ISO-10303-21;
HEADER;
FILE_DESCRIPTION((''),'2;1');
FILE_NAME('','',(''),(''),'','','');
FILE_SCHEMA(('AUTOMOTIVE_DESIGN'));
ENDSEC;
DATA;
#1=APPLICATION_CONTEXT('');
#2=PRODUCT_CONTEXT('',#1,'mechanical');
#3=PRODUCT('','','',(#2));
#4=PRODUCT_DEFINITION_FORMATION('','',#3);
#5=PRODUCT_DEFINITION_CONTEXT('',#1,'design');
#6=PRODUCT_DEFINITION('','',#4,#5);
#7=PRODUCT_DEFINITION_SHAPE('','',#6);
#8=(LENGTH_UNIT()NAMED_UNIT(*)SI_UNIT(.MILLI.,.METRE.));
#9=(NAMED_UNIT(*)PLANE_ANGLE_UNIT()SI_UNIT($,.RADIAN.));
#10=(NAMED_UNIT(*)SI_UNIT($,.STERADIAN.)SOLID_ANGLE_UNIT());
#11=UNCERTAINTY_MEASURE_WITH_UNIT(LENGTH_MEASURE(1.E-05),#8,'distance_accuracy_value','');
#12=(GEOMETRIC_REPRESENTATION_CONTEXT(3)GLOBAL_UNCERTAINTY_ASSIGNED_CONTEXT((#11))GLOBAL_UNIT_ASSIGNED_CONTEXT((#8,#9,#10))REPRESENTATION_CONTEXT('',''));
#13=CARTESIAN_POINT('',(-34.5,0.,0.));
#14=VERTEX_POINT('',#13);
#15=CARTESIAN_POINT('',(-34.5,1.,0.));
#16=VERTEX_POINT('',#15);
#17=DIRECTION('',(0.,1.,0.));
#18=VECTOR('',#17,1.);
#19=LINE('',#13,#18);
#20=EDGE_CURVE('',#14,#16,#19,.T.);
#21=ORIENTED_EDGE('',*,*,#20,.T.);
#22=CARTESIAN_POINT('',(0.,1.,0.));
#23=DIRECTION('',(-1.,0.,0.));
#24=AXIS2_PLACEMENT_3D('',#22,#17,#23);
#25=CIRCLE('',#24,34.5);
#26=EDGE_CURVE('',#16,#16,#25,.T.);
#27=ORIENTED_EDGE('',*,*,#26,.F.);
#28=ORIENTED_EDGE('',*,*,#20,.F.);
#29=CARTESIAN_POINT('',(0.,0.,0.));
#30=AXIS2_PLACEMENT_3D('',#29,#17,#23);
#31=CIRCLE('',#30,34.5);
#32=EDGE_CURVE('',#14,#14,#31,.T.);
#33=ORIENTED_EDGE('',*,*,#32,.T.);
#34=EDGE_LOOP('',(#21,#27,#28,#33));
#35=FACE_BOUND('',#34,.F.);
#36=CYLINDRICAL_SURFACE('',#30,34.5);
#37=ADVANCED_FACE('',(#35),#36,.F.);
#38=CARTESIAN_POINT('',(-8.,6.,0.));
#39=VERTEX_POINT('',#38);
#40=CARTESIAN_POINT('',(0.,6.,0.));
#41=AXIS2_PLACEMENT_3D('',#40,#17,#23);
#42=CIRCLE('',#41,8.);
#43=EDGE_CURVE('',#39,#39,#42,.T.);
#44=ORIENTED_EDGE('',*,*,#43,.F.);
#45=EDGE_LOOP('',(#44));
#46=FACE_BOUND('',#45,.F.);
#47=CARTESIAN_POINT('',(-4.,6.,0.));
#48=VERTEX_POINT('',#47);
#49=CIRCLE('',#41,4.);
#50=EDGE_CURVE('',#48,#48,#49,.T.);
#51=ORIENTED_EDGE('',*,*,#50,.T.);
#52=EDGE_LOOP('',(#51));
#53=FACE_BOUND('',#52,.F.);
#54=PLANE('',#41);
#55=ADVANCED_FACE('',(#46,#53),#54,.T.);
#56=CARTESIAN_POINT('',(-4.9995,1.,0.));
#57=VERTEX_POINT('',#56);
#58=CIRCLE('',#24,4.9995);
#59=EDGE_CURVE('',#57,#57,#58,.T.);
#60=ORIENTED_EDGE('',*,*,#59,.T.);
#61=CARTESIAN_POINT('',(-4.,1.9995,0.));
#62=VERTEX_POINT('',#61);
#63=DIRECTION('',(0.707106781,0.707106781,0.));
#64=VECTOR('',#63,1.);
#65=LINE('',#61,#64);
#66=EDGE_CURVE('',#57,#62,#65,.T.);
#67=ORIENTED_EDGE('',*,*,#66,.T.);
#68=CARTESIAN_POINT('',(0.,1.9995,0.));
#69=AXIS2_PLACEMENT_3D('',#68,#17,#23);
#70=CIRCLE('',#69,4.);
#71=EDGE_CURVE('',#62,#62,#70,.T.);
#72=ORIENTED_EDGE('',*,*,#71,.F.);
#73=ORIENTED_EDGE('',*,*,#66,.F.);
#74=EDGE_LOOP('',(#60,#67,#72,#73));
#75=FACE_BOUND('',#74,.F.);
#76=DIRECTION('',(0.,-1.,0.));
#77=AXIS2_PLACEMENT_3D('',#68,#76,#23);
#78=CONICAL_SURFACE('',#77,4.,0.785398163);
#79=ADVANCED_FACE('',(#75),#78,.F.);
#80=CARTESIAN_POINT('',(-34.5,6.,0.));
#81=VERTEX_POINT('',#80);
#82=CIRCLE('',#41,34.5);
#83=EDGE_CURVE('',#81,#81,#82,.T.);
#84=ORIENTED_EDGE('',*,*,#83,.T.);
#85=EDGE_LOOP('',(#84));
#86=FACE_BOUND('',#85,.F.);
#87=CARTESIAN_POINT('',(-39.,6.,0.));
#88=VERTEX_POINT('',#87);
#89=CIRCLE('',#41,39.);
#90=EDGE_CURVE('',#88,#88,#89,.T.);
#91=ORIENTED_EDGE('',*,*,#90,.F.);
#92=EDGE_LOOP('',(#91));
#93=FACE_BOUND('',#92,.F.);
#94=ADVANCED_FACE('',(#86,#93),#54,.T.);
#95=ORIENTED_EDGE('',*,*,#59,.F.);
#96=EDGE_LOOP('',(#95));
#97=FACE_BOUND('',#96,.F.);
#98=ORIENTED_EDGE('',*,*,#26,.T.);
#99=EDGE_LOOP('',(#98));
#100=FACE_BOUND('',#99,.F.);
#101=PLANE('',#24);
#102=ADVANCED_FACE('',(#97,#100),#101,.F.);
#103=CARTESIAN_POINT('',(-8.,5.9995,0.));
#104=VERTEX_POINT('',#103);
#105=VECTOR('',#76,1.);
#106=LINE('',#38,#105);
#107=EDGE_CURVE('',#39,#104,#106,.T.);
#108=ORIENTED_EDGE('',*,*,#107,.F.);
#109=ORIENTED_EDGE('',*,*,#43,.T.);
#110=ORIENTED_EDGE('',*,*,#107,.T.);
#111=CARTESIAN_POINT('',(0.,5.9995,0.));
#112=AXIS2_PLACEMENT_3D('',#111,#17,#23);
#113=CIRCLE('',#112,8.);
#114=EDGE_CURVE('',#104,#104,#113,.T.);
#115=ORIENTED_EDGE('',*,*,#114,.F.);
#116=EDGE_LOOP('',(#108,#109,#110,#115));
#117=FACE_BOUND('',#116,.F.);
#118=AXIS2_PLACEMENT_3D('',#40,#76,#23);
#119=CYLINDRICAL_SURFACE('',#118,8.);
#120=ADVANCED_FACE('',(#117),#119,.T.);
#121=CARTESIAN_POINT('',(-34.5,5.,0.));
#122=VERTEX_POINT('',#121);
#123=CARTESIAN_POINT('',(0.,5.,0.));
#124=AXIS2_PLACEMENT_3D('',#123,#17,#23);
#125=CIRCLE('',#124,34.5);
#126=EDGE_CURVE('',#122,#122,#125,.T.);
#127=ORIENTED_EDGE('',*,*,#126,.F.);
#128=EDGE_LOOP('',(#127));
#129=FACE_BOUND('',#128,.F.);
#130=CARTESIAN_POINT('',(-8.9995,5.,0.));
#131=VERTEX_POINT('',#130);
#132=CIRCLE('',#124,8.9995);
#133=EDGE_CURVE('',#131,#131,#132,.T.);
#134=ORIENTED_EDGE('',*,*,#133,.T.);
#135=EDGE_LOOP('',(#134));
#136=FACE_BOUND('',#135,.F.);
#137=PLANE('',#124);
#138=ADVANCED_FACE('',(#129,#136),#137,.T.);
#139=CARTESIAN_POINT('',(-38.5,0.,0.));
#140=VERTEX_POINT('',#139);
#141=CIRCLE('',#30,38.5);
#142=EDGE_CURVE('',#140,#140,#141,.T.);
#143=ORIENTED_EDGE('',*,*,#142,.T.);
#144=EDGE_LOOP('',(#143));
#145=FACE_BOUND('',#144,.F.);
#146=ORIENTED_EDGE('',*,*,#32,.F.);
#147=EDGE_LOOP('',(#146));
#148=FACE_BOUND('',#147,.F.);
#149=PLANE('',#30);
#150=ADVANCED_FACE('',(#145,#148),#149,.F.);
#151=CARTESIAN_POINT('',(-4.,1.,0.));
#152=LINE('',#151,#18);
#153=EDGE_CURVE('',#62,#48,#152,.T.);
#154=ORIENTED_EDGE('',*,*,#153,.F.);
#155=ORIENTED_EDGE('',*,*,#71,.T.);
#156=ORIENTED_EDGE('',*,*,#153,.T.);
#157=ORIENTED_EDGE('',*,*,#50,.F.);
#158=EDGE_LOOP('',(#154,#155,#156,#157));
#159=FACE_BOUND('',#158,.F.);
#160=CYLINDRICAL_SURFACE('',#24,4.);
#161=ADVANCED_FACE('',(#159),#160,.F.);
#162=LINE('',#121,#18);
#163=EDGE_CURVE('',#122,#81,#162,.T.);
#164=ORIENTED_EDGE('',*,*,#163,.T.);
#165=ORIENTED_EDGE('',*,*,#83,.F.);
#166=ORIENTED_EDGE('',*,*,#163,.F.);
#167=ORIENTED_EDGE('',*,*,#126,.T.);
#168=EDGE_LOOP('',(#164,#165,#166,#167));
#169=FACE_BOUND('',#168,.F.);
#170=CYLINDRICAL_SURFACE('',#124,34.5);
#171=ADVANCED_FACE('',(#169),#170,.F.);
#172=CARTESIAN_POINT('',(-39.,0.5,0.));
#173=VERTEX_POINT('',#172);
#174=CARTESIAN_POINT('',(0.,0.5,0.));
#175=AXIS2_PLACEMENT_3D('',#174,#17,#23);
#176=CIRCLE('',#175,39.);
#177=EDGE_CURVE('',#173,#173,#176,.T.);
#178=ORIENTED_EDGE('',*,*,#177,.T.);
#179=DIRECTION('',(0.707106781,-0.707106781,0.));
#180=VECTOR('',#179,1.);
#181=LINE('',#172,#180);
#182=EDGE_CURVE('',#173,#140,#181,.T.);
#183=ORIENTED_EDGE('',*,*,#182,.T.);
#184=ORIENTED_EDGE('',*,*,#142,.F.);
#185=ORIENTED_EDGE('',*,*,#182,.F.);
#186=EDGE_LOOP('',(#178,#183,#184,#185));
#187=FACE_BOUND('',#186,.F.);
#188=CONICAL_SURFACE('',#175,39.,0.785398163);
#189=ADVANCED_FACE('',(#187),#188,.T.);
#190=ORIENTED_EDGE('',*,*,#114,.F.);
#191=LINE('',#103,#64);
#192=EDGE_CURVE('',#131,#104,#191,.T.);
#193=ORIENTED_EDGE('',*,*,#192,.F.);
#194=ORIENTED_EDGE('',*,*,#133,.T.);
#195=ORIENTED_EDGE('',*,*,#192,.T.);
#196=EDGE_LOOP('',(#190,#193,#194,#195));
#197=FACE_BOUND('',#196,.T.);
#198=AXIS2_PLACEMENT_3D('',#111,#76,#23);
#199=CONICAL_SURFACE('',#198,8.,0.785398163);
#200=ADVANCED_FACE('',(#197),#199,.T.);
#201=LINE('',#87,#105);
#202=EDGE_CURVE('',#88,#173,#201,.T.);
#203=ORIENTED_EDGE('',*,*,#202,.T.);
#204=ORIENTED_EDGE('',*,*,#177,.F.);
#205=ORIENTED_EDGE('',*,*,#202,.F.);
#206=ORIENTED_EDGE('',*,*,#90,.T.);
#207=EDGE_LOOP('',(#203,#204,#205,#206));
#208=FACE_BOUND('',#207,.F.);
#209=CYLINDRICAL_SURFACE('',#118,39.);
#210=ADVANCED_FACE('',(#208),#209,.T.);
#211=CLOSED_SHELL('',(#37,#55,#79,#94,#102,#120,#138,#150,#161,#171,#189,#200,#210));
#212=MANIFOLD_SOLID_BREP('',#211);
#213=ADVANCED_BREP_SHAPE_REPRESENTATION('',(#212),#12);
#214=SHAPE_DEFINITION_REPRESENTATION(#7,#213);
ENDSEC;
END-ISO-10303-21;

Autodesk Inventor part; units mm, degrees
ref_plane "YZ Plane" through (0, 0, 0) normal (1, 0, 0) x (0, 1, 0)
ref_plane "XZ Plane" through (0, 0, 0) normal (0, 1, 0) x (-1, 0, 0)
ref_plane "XY Plane" through (0, 0, 0) normal (0, 0, 1) x (1, 0, 0)
sketch "Sketch1" plane through (0, 0, 0) normal (0, 0, 1) x (1, 0, 0)
  line L0 (-39, 0) -> (-34.5, 0)
  line L1 (-34.5, 0) -> (-34.5, 1)
  line L2 (-34.5, 1) -> (-4, 1)
  line L3 (-4, 1) -> (-4, 6)
  line L4 (-4, 6) -> (-8, 6)
  line L5 (-8, 6) -> (-8, 5)
  line L6 (-8, 5) -> (-34.5, 5)
  line L7 (-34.5, 5) -> (-34.5, 6)
  line L8 (-34.5, 6) -> (-39, 6)
  line L9 (-39, 6) -> (-39, 0)
  line L10 (0, 0) -> (0, 3.3453)
  line L11 (-34.5, 1) -> (-34.5, 1.25)
  line L12 (-34.5, 1.25) -> (-32.5, 1)
  dimension "d0" = 8
  dimension "d3" = 16
  dimension "d8" = 1
  dimension "d9" = 1
  dimension "d10" = 4
  dimension "d11" = 78
  dimension "d18" = 69
  dimension "d23" = 0.25
  dimension "d24" = 2
revolve "Revolution1" add sketch "Sketch1" angle 360 about axis through (0, 0, 0) along (0, 1, 0)
chamfer "Chamfer1" distance 1 angle 45 2 edges at (4, 1, 0) (8, 5, 0)
chamfer "Chamfer2" distance 0.5 angle 45 1 edges at (39, 0, 0)
properties part number "009" material "Stainless Steel, 440C"
